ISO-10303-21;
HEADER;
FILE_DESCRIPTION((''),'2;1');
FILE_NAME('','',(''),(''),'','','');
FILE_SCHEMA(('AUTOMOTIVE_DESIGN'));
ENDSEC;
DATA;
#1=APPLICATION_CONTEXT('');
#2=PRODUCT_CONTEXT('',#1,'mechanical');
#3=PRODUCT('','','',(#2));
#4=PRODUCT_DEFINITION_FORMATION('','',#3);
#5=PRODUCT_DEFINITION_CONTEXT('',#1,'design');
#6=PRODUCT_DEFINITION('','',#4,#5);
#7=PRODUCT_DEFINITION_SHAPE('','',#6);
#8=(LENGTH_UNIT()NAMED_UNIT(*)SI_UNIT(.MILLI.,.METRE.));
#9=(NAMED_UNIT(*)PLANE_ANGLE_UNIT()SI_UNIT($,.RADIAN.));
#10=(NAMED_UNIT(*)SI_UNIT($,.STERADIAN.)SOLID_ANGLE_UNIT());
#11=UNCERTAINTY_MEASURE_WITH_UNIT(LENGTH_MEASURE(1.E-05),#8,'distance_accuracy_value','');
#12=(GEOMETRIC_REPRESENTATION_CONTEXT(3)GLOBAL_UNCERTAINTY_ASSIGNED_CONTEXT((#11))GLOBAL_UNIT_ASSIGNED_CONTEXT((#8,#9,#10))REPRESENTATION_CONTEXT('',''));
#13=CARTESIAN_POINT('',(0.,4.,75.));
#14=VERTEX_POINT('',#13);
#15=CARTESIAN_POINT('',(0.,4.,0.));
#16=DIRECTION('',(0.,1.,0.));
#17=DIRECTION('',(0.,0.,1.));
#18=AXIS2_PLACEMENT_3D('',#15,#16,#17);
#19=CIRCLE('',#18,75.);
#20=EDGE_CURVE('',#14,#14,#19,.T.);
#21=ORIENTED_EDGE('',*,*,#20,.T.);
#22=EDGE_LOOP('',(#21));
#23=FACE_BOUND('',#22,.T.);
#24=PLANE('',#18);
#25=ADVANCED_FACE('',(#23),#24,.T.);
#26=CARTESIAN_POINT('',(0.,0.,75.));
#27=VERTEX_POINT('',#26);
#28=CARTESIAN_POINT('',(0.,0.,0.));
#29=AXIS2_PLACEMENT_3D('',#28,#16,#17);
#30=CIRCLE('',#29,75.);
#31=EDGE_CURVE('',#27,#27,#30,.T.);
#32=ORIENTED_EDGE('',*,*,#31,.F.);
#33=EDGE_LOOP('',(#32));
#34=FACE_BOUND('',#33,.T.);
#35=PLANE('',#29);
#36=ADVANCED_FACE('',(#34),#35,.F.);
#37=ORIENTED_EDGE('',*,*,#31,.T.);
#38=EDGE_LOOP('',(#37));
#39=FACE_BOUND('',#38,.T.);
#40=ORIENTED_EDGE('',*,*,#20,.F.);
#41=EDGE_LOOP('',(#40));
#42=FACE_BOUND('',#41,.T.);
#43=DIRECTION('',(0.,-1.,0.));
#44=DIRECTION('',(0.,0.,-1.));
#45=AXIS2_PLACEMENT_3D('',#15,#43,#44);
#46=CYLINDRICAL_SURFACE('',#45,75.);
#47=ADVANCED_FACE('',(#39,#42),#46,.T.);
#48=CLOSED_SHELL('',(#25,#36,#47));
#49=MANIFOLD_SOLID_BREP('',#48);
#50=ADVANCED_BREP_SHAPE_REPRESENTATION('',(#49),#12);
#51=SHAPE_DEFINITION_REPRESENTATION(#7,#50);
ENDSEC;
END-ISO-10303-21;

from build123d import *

# Parameters (mm, degrees)
SKETCH5_R           = 75
BOSS_EXTRUDE2_DEPTH = 4


with BuildPart() as part:
    # Sketch5 → Boss-Extrude2 (new body)
    with BuildSketch(Plane(origin=(0, 0, 0), x_dir=(1, 0, 0), z_dir=(0, 1, 0))):
        with Locations(Location((0, 0, 0), (0, 0, 270))):
            Circle(SKETCH5_R)
    extrude(amount=BOSS_EXTRUDE2_DEPTH)


solid = part.part
